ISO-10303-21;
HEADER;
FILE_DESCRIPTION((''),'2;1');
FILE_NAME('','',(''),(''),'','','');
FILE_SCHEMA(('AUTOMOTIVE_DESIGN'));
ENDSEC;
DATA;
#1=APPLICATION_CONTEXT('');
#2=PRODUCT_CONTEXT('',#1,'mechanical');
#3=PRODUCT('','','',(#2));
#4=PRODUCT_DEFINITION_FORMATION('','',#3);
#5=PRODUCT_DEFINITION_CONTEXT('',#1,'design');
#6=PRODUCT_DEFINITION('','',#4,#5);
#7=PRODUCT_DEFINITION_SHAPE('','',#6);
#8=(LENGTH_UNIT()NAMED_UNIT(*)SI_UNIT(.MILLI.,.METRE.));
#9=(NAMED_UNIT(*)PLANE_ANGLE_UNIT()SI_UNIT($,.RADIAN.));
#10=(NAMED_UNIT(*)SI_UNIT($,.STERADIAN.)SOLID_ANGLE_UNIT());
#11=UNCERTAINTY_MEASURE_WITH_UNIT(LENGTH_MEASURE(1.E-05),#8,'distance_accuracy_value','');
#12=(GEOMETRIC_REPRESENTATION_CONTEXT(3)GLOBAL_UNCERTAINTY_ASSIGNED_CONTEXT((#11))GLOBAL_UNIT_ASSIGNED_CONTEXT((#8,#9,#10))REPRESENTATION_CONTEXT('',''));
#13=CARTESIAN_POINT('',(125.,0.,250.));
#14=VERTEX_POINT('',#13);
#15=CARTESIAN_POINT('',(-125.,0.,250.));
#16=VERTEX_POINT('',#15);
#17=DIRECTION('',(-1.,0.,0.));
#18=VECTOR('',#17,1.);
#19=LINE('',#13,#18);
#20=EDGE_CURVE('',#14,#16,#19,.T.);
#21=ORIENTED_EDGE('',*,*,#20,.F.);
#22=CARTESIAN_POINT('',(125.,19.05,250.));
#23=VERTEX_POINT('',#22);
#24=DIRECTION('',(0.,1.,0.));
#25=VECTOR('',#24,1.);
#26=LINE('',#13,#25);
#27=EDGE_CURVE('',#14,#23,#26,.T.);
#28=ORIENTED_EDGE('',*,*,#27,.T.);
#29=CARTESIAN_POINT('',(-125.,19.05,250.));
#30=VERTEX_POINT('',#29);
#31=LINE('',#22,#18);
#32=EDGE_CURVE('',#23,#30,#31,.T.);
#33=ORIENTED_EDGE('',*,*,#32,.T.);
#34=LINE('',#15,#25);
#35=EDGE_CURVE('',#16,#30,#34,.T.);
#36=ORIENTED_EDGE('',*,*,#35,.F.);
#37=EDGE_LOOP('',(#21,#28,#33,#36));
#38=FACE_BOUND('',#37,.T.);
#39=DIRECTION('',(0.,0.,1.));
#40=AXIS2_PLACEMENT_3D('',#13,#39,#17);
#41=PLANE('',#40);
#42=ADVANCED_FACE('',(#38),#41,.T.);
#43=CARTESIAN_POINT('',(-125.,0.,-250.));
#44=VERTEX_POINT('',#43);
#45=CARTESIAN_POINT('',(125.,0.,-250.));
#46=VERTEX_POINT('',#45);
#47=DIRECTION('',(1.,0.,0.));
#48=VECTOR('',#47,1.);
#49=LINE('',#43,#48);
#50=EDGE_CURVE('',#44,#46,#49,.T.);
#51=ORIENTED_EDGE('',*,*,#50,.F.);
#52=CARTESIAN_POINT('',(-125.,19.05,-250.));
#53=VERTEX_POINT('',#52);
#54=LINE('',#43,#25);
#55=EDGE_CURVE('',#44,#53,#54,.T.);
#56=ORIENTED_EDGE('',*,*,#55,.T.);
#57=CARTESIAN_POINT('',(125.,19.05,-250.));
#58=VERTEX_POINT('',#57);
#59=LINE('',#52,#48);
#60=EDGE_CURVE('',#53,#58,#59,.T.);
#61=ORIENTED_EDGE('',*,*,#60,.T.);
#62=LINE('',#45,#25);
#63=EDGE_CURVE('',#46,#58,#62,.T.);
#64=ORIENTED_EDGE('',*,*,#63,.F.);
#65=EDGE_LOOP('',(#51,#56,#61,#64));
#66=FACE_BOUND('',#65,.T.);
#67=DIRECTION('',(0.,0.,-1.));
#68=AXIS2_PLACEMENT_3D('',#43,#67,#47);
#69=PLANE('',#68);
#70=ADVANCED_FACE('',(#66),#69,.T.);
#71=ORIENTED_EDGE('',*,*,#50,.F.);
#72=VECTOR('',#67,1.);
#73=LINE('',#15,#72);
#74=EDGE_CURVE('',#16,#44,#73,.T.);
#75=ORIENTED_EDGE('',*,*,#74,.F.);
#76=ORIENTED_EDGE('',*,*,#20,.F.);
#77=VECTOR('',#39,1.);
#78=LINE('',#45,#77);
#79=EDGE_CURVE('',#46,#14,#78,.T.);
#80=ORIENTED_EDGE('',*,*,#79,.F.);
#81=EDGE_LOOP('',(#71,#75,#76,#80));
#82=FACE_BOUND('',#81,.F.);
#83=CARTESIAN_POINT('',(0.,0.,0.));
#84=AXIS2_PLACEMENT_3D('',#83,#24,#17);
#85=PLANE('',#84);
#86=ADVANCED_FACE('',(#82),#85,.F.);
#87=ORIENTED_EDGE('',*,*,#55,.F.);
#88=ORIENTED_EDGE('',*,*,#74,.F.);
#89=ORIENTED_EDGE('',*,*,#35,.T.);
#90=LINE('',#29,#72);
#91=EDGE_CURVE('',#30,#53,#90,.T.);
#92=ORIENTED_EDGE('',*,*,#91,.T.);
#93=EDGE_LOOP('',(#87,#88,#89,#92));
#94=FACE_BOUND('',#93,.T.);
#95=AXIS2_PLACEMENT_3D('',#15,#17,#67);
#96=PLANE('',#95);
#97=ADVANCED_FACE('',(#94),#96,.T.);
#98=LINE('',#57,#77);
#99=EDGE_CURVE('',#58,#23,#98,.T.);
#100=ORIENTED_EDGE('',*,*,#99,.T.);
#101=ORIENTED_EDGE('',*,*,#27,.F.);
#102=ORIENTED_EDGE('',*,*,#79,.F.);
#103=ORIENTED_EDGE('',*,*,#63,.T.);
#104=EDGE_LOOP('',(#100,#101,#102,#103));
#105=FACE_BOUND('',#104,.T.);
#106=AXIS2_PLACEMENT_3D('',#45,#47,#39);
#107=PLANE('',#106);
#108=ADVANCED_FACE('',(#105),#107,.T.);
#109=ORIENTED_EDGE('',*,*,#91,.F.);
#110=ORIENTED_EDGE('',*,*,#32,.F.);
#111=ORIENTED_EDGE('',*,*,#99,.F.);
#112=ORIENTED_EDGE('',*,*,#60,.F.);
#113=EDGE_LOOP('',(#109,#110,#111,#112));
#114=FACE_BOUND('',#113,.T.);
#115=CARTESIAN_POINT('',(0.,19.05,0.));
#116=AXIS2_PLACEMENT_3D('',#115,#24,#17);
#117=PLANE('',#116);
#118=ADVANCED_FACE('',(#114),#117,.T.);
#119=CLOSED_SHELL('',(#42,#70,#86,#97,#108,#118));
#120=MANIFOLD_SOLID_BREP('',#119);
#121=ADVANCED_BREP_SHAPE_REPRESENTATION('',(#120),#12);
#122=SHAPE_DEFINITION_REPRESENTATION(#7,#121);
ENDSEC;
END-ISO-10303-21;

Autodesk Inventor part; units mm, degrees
ref_plane "YZ Plane" through (0, 0, 0) normal (1, 0, 0) x (0, 1, 0)
ref_plane "XZ Plane" through (0, 0, 0) normal (0, 1, 0) x (-1, 0, 0)
ref_plane "XY Plane" through (0, 0, 0) normal (0, 0, 1) x (1, 0, 0)
sketch "Sketch1" plane through (0, 0, 0) normal (0, 1, 0) x (-1, 0, 0)
  line L0 (-125, 250) -> (125, 250)
  line L1 (125, 250) -> (125, -250)
  line L2 (125, -250) -> (-125, -250)
  line L3 (-125, -250) -> (-125, 250)
  line L4 (-125, 250) -> (125, -250) construction
  line L5 (125, 250) -> (-125, -250) construction
  point P0 (0, 0)
  dimension "Width" = 250
  dimension "lenght" = 500
extrude "Extrusion1" add sketch "Sketch1" along normal blind 19.05
properties part number "Creat Buttom" material "Wood (Cherry)"
